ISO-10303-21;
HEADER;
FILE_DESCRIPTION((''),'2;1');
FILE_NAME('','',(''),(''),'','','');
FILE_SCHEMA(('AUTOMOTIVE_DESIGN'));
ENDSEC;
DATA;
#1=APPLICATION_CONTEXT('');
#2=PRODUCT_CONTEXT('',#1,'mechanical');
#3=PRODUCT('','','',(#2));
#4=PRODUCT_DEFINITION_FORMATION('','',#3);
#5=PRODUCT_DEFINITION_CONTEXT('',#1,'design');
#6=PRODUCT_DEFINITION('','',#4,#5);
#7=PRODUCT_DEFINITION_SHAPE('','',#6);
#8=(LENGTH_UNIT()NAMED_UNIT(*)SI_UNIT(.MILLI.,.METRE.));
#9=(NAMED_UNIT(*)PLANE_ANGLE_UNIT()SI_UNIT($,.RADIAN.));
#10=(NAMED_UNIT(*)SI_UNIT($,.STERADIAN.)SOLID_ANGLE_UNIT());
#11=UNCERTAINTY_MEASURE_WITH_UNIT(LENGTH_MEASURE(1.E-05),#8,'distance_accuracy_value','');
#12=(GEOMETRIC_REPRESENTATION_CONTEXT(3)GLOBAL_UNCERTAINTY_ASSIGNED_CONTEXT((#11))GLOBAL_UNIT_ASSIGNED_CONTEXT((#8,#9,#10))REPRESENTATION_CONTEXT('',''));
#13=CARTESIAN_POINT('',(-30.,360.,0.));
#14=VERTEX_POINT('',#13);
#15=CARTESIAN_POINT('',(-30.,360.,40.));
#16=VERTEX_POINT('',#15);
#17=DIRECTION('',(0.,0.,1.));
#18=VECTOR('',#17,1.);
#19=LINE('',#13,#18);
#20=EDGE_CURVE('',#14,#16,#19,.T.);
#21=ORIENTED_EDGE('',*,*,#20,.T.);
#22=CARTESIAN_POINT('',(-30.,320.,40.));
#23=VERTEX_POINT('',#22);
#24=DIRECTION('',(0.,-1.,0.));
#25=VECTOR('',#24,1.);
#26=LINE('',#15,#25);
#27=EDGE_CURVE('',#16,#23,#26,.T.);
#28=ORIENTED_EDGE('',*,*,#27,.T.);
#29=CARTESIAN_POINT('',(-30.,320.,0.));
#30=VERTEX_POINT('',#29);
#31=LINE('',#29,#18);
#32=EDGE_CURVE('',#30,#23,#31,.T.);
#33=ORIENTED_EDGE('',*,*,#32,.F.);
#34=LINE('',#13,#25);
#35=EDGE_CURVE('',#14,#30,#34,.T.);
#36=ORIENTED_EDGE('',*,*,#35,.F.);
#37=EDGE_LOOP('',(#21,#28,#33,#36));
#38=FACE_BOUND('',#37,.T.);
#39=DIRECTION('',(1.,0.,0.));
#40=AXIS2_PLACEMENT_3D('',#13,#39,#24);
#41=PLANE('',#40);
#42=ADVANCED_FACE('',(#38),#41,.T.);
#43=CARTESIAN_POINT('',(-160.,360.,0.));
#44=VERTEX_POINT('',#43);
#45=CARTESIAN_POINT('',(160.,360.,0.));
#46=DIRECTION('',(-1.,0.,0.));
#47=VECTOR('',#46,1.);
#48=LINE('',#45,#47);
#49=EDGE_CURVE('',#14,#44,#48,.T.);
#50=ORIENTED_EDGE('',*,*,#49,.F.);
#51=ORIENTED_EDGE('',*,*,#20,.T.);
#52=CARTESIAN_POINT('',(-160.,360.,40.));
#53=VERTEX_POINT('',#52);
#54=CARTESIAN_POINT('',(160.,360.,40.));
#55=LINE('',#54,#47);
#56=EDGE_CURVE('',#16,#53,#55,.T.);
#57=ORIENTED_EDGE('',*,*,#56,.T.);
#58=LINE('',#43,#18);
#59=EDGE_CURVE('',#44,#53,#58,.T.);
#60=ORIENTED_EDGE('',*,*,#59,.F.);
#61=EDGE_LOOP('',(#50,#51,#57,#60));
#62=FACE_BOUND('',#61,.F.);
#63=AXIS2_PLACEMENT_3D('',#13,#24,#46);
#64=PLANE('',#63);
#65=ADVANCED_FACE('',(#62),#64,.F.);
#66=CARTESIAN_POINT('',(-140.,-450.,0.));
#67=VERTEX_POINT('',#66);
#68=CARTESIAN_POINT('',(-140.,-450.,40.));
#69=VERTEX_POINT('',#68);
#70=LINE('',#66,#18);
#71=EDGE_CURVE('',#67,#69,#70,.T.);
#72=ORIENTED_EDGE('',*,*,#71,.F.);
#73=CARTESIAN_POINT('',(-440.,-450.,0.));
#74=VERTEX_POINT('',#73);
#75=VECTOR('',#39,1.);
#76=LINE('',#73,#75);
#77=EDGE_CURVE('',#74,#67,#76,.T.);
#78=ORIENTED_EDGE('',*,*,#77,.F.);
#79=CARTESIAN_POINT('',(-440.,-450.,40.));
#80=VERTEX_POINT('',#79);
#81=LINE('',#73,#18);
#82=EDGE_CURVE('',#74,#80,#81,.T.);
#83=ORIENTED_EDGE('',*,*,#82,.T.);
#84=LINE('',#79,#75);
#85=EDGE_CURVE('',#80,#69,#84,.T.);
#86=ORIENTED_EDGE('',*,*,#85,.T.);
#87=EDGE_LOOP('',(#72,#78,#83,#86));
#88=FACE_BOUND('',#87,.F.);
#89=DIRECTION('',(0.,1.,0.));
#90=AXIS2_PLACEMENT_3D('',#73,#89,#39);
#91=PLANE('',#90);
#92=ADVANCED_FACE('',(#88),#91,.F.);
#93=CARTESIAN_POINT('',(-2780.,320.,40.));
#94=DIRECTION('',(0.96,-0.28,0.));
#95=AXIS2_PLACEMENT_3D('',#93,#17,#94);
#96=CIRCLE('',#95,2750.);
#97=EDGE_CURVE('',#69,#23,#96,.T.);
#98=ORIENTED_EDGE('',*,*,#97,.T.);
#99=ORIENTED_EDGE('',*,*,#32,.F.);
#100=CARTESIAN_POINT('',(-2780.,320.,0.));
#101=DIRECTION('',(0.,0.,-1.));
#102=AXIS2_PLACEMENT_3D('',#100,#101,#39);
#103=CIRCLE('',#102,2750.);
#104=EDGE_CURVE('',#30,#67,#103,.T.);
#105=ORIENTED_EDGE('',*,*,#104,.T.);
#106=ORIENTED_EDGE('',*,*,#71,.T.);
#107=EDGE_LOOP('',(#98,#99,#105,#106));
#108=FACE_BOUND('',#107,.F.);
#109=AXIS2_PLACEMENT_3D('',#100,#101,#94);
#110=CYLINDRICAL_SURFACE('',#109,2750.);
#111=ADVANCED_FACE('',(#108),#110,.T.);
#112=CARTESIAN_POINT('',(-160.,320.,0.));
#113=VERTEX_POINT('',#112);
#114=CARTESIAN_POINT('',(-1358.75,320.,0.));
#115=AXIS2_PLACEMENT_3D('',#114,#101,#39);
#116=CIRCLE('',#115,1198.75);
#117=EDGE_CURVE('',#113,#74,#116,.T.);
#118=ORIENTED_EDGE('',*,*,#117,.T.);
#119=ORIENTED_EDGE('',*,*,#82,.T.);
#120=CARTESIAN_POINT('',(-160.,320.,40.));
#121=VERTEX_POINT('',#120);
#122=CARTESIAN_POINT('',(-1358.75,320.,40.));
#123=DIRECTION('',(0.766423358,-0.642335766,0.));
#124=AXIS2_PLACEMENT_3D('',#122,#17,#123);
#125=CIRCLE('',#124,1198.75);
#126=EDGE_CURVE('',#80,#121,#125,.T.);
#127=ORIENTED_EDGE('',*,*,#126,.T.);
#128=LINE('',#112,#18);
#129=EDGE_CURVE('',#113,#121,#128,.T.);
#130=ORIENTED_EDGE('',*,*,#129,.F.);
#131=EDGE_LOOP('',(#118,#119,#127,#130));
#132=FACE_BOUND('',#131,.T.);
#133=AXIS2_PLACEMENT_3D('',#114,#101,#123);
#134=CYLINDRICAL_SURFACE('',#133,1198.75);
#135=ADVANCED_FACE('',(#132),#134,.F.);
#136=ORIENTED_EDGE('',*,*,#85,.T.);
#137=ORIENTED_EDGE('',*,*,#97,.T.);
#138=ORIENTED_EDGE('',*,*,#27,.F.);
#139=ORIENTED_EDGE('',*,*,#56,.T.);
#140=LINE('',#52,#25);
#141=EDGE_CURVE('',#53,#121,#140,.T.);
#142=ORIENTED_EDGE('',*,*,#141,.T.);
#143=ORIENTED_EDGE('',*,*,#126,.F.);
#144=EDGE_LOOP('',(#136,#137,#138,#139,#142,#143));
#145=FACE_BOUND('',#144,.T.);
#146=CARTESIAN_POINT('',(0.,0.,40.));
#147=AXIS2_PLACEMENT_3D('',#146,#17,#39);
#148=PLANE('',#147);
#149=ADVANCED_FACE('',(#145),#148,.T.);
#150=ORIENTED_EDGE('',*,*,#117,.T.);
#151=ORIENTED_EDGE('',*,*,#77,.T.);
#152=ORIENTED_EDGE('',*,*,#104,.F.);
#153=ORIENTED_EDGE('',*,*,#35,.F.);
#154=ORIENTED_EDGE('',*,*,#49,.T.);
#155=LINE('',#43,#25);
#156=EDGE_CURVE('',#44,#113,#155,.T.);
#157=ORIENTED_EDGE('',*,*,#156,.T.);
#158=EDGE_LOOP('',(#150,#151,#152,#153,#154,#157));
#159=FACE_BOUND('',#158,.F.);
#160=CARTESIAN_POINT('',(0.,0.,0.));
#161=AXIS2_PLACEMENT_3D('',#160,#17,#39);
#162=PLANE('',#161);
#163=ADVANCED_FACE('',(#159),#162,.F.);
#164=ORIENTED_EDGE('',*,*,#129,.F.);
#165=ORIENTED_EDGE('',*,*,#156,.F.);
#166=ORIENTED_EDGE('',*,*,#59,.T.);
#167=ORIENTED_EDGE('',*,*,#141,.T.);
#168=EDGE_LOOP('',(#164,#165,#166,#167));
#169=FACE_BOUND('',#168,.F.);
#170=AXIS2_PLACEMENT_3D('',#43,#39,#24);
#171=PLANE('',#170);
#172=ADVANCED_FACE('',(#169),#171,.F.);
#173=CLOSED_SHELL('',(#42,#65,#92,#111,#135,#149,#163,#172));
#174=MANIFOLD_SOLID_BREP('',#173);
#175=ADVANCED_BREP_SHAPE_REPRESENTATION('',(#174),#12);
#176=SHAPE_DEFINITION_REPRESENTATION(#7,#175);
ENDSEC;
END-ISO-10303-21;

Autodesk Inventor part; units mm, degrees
ref_plane "YZ Plane" through (0, 0, 0) normal (1, 0, 0) x (0, 1, 0)
ref_plane "XZ Plane" through (0, 0, 0) normal (0, 1, 0) x (-1, 0, 0)
ref_plane "XY Plane" through (0, 0, 0) normal (0, 0, 1) x (1, 0, 0)
sketch "Skizze3" plane through (0, 0, 0) normal (0, 0, 1) x (1, 0, 0)
  line L0 (-500, 500) -> (500, 500)
  line L1 (500, 500) -> (500, -500)
  line L2 (500, -500) -> (-500, -500)
  line L3 (-500, -500) -> (-500, 500)
  line L4 (-500, -400) -> (500, -400)
  line L5 (-275, 500) -> (275, 500)
  line L6 (275, 500) -> (275, 320)
  line L7 (275, 320) -> (-275, 320)
  line L8 (-275, 320) -> (-275, 500)
  arc A0 (-275, 320) -> (-400, -400) centre (1736.1, -400) ccw
  arc A1 (400, -400) -> (275, 320) centre (-1736.1, -400) ccw
  line L9 (-160, 320) -> (160, 320)
  line L10 (160, 320) -> (160, 360)
  line L11 (160, 360) -> (-160, 360)
  line L12 (-160, 360) -> (-160, 320)
  line L13 (-440, -450) -> (-140, -450)
  line L14 (90, -450) -> (440, -450)
  line L15 (-30, 360) -> (-30, 320)
  arc A2 (-440, -450) -> (-160, 320) centre (-1358.75, 320) ccw
  arc A3 (-140, -450) -> (-30, 320) centre (-2780, 320) ccw
  arc A4 (-30, 320) -> (90, -450) centre (2500.4167, 320) ccw
  arc A5 (160, 320) -> (440, -450) centre (1358.75, 320) ccw
  line L16 (-160, 360) -> (-440, -450) construction
  line L17 (-160, 360) -> (-146.1239, 400.1416) construction
  line L18 (-30, 360) -> (-146.1239, 400.1416) construction
  line L19 (-30, 360) -> (121.8543, 307.5071) construction
  line L20 (-440, -450) -> (-172.0218, -542.6344) construction
  line L21 (-140, -450) -> (-172.0218, -542.6344) construction
  line L22 (-140, -450) -> (121.8543, 307.5071) construction
  line L23 (-172.9217, 310.595) -> (139.7195, 418.6685) construction
  line L24 (139.7195, 418.6685) -> (440, -450) construction
  line L25 (440, -450) -> (127.3587, -558.0735) construction
  line L26 (127.3587, -558.0735) -> (-172.9217, 310.595) construction
  point P0 (0, 0)
  point P1 (-500, 0)
  point P2 (0, 500)
  point P3 (0, 320)
  point P4 (0, 360)
  dimension "d4" = 1000
  dimension "d5" = 1000
  dimension "d6" = 100
  dimension "d7" = 550
  dimension "d8" = 180
  dimension "d9" = 100
  dimension "d10" = 100
  dimension "d11" = 320
  dimension "d12" = 300
  dimension "d13" = 350
  dimension "d14" = 230
  dimension "d15" = 60
  dimension "d16" = -60
  dimension "d17" = 130
  dimension "d18" = 190
  dimension "d19" = 50
  dimension "d21" = 283.5374
  dimension "d22" = 40
  dimension "d23" = 140
  dimension "d24" = 899.502
  dimension "d25" = 919.1046
  dimension "d26" = 330.7937
extrude "Extrusion6" add sketch "Skizze3" along normal blind 40 contours A2 A0 L4 | L4 A3 L13 A2 | L12 L11 L15 L7 | L7 A3 L4 A0 A2
equation "\"d9\" = d6"
equation "\"d10\" = d6"
properties part number "UA-072-PlatteLinks"
